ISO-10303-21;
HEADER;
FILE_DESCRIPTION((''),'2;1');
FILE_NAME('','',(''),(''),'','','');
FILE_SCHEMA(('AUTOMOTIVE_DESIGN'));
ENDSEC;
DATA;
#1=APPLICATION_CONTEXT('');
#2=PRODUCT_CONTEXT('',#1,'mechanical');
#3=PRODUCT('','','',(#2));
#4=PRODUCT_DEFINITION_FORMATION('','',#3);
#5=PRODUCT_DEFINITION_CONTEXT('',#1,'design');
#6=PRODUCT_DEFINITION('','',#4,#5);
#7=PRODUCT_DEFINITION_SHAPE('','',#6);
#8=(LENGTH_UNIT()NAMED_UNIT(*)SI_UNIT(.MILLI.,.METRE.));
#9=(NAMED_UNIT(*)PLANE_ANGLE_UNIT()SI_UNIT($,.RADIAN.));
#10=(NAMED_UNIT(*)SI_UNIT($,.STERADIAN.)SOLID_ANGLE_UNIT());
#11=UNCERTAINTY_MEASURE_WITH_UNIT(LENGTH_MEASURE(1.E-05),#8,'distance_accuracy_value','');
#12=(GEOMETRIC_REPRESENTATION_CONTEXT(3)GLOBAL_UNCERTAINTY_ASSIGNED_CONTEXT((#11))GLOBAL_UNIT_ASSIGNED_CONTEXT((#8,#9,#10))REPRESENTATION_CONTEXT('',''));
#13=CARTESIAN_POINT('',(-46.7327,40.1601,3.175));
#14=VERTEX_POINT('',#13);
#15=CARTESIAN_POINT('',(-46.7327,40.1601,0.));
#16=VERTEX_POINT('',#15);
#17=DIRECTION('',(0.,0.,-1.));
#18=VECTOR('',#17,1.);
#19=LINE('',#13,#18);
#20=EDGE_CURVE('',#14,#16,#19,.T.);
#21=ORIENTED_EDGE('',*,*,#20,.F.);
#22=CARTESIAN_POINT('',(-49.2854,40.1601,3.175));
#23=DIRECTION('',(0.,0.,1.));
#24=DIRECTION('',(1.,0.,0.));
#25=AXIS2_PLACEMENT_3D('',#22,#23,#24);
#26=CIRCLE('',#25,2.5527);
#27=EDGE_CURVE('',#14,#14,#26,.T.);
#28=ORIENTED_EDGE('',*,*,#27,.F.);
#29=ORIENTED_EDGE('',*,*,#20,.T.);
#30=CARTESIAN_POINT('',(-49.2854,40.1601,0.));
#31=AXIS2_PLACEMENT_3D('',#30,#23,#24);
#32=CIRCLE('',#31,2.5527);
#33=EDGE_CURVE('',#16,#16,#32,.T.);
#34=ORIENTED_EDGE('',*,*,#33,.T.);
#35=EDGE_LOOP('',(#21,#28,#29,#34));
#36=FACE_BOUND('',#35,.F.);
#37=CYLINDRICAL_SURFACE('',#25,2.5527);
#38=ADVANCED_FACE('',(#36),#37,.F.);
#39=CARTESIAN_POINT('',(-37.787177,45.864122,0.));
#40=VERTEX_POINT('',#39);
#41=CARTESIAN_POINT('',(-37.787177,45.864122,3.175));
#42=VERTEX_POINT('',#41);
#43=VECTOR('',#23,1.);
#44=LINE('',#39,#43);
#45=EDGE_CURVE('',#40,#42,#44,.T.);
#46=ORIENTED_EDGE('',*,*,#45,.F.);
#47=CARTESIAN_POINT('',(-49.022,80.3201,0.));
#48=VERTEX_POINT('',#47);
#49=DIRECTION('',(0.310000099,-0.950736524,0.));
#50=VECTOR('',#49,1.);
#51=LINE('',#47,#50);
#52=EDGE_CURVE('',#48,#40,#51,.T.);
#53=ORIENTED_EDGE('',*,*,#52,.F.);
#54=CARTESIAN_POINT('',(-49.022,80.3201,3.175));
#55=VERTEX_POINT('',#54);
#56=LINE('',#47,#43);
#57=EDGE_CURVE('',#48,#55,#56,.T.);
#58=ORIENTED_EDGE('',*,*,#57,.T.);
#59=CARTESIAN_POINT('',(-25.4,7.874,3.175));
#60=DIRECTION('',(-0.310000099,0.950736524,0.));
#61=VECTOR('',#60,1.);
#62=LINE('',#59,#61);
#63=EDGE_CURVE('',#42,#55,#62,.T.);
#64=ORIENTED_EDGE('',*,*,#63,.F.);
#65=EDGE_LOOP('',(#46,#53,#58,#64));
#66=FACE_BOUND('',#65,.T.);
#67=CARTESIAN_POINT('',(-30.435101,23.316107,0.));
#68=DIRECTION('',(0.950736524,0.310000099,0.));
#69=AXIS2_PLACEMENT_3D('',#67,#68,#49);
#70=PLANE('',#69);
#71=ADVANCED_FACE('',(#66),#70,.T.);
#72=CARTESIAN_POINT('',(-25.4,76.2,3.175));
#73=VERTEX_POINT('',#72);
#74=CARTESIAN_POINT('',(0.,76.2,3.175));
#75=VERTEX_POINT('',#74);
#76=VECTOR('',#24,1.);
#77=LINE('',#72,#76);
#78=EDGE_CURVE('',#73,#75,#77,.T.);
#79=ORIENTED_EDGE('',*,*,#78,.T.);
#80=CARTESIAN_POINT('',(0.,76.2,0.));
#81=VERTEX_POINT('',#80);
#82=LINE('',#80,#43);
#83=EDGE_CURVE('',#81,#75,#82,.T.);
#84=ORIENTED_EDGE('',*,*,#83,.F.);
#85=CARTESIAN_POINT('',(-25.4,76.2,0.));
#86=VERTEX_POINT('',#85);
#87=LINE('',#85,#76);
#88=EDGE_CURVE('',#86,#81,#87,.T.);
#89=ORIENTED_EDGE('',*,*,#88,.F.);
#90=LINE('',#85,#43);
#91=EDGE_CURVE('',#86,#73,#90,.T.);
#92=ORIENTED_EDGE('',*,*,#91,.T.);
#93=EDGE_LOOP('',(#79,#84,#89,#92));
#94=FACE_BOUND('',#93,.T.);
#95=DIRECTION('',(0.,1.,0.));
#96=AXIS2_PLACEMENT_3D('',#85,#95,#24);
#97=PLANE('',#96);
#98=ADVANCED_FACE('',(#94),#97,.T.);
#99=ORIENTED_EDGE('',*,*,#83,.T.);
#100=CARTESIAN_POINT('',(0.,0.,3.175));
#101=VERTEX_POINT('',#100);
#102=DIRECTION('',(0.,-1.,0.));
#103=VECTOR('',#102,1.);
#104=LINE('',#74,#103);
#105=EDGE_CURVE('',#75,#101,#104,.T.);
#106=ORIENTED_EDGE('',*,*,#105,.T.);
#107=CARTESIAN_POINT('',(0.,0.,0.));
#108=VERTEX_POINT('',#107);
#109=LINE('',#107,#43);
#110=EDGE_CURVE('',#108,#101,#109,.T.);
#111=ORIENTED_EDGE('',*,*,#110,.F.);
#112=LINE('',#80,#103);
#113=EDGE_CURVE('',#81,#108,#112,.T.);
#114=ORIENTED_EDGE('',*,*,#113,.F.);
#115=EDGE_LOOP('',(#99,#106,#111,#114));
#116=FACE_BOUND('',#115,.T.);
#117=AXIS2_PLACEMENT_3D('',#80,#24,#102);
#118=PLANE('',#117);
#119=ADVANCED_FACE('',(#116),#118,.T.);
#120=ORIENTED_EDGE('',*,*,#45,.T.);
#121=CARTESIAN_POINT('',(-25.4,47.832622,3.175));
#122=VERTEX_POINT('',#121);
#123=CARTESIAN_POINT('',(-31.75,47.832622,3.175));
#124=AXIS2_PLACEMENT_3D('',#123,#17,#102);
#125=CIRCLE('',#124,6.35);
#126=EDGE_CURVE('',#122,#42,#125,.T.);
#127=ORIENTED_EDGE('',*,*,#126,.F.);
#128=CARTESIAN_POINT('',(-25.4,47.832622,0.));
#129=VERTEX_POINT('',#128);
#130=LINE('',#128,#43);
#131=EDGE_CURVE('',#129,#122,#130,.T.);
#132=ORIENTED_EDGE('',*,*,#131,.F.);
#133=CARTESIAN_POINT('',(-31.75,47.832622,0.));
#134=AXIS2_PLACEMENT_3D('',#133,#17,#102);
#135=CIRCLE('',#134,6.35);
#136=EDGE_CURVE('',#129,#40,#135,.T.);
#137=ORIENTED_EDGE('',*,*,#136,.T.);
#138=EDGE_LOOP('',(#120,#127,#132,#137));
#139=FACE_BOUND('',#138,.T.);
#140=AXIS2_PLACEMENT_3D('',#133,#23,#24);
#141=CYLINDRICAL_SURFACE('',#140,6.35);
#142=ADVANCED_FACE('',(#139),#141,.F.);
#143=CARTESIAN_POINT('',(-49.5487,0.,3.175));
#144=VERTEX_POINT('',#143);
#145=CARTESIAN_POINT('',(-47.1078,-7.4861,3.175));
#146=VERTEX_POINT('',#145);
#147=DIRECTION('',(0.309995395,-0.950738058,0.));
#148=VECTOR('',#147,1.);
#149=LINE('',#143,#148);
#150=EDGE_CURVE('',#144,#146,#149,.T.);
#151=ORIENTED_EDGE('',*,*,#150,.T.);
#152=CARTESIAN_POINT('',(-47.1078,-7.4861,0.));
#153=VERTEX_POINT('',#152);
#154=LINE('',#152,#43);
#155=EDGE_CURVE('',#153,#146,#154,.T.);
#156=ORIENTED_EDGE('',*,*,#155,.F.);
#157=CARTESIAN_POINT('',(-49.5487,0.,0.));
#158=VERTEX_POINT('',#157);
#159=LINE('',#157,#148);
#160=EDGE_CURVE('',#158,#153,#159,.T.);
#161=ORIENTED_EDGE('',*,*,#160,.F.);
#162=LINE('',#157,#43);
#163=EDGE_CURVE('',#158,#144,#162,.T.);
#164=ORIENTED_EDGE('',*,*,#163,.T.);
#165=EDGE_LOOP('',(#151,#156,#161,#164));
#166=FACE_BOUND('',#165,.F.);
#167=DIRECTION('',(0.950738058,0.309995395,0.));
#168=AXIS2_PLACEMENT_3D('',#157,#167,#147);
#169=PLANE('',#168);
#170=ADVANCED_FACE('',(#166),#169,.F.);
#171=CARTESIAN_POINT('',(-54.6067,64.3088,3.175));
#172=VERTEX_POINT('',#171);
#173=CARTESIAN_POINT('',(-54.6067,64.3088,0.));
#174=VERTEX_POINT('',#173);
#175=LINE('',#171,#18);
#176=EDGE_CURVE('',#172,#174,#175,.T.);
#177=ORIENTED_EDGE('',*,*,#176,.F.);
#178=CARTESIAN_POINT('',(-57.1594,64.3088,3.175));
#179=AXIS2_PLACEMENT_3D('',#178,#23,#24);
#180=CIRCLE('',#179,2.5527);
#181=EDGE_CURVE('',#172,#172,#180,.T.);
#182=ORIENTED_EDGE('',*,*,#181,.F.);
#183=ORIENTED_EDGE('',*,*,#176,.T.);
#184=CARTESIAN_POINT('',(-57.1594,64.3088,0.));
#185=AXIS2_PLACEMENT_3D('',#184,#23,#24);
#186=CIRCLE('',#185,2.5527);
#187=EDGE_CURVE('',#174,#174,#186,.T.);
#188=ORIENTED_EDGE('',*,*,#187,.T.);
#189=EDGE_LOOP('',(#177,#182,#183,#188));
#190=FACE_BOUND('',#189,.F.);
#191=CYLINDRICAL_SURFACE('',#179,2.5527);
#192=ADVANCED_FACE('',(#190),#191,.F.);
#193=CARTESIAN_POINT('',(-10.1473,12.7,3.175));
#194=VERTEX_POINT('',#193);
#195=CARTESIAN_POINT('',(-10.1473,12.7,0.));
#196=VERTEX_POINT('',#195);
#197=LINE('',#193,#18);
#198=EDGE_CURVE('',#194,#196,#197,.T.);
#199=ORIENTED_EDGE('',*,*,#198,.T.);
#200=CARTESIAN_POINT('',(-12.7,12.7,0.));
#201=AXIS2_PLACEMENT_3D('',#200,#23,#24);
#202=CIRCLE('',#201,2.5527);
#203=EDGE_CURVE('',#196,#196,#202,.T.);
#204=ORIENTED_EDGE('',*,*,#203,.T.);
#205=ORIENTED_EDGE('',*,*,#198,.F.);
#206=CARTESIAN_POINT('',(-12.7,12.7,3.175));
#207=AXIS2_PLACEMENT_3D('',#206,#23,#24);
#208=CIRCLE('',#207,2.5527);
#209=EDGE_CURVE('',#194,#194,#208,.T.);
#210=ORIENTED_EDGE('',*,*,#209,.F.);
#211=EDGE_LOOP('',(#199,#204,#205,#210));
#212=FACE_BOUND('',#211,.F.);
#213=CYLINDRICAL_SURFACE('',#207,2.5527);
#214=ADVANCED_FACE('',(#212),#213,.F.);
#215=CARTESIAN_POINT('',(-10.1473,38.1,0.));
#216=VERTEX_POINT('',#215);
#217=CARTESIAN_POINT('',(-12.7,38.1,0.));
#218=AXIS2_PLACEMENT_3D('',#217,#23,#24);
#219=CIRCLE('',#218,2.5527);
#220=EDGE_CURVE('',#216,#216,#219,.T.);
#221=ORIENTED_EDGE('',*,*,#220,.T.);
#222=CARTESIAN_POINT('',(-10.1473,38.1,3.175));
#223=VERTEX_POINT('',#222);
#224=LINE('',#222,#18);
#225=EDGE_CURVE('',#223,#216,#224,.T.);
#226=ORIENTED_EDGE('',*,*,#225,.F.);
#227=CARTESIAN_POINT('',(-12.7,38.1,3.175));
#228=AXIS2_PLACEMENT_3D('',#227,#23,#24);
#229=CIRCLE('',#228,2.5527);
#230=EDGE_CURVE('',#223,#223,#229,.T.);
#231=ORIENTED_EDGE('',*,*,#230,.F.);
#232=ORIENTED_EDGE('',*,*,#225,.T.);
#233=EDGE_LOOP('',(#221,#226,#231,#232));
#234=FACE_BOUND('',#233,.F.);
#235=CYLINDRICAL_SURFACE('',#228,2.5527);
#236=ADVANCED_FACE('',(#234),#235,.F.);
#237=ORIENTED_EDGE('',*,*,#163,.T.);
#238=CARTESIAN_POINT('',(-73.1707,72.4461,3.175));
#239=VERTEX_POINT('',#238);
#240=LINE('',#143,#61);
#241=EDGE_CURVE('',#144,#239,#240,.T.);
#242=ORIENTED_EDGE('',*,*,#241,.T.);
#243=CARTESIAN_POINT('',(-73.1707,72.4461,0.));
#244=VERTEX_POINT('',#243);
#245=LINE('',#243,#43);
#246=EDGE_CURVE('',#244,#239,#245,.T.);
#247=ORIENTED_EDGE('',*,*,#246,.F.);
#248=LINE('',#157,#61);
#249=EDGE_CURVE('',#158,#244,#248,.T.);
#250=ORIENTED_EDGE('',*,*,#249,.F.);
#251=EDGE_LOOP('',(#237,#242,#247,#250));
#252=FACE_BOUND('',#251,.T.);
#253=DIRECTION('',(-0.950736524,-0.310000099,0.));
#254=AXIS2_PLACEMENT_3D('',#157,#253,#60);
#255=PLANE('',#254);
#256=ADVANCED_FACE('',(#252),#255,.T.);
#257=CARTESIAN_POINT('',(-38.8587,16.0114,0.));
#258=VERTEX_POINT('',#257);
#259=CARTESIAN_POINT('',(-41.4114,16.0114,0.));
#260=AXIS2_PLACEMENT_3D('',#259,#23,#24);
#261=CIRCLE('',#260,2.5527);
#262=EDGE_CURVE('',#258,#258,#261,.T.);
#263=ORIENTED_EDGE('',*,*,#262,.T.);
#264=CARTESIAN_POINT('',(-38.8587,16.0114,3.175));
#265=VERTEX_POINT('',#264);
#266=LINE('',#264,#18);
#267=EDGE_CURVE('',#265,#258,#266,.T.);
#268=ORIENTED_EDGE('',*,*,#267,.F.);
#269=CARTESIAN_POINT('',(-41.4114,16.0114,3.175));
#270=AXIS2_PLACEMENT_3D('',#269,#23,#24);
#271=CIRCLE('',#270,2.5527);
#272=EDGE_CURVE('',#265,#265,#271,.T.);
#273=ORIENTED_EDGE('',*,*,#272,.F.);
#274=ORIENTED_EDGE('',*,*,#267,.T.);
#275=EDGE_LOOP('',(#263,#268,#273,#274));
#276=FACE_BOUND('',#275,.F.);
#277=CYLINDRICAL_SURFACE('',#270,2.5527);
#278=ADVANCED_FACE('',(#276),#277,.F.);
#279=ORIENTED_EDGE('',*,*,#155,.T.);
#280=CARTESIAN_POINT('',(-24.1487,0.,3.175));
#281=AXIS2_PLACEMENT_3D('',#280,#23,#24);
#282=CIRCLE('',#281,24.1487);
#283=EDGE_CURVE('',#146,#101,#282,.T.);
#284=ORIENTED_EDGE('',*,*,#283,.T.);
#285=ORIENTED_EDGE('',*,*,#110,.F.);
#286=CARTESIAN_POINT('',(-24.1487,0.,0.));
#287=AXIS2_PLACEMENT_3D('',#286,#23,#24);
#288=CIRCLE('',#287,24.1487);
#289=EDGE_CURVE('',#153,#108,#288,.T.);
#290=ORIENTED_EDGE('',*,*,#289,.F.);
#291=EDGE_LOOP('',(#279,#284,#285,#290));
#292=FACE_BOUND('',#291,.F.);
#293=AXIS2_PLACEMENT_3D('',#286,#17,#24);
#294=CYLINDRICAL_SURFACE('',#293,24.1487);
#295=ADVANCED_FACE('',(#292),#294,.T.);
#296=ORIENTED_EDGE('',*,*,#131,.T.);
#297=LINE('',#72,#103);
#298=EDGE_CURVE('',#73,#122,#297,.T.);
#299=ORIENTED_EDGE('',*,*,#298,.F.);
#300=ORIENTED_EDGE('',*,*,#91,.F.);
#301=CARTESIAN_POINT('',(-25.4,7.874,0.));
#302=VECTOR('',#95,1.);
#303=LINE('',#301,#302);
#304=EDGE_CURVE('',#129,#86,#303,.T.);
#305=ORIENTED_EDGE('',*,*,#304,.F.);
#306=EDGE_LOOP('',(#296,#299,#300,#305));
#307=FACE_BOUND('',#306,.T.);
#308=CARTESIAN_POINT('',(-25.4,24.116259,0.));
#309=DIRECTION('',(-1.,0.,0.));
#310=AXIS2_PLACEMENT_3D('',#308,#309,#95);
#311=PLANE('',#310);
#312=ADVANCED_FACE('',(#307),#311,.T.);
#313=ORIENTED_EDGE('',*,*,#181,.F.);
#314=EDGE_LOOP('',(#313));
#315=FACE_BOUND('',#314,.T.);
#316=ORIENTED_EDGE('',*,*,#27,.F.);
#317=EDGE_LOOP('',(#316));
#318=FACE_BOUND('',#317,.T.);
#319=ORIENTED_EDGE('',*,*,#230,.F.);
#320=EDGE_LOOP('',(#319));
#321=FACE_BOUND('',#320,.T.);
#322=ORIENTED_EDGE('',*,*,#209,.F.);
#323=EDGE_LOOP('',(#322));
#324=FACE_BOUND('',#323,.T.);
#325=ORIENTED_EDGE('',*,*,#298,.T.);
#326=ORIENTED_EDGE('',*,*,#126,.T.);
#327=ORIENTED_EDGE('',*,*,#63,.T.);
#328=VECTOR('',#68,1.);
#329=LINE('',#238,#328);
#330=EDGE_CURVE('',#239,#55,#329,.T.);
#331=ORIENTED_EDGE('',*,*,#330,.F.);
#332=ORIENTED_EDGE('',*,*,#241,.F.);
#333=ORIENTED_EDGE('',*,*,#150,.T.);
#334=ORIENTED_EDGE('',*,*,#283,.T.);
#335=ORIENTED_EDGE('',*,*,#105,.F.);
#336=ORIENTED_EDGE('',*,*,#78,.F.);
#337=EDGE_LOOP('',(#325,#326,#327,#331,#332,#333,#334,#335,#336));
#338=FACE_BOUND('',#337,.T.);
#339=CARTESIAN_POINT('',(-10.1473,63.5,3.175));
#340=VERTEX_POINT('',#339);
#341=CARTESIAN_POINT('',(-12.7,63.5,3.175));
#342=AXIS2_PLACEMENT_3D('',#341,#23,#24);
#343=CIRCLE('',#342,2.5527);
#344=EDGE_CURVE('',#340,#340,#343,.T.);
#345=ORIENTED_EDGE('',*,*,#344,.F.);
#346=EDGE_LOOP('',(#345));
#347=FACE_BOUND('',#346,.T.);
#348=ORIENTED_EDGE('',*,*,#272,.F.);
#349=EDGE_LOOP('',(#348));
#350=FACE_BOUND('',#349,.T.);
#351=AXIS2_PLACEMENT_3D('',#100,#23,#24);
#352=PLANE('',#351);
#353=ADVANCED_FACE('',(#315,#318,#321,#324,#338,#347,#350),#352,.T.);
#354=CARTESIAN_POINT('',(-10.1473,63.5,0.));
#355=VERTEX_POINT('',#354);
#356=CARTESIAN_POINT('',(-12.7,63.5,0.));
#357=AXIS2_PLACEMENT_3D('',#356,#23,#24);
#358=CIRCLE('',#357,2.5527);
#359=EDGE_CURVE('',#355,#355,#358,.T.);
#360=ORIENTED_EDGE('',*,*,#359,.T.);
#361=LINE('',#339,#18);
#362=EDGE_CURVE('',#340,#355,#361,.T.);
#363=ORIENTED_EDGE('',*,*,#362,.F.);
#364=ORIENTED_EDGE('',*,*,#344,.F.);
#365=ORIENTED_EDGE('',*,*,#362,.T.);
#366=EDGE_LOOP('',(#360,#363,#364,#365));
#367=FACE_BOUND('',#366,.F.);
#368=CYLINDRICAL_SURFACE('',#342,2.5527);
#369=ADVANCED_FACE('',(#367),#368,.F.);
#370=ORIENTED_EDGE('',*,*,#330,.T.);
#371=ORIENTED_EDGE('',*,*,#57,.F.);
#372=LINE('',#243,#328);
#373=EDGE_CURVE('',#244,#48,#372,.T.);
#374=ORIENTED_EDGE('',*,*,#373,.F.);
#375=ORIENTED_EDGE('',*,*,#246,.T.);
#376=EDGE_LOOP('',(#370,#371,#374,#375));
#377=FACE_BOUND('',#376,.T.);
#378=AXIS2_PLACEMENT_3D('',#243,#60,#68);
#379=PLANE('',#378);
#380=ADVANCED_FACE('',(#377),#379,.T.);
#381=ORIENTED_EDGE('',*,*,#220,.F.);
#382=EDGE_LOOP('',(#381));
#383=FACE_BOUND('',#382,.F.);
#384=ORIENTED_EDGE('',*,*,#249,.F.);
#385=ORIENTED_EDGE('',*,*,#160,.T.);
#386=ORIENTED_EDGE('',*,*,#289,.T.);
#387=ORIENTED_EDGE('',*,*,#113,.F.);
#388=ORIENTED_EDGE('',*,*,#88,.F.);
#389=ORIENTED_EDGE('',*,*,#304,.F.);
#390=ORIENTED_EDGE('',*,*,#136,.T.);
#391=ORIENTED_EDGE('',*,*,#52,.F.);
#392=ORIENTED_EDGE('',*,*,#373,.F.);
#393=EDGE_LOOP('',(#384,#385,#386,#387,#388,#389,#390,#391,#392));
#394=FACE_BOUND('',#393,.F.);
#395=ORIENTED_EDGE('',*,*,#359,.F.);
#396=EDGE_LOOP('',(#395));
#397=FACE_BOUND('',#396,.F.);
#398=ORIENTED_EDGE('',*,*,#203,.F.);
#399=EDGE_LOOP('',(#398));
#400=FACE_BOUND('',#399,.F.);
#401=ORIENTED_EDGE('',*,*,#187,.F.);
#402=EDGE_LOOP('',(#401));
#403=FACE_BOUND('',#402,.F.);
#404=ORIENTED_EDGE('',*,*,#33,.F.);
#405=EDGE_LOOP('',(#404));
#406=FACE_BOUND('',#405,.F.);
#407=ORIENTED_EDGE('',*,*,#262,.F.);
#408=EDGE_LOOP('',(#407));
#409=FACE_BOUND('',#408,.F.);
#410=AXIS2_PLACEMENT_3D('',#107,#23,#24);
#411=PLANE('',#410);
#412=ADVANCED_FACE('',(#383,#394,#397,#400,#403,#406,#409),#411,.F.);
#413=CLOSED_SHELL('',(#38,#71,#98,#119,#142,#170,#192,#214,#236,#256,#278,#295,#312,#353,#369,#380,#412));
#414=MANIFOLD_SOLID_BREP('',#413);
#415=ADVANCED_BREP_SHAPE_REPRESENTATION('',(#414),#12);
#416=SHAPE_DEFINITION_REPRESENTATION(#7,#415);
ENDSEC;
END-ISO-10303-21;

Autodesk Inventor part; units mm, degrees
ref_plane "YZ Plane" through (0, 0, 0) normal (1, 0, 0) x (0, 1, 0)
ref_plane "XZ Plane" through (0, 0, 0) normal (0, 1, 0) x (-1, 0, 0)
ref_plane "XY Plane" through (0, 0, 0) normal (0, 0, 1) x (1, 0, 0)
sketch "Sketch1" plane through (0, 0, 0) normal (0, 0, 1) x (1, 0, 0)
  line L0 (0, 0) -> (-25.4, 0)
  line L1 (-25.4, 0) -> (-25.4, 76.2)
  line L2 (-25.4, 76.2) -> (0, 76.2)
  line L3 (0, 76.2) -> (0, 0)
  line L4 (-25.4, 7.874) -> (-49.5487, 0)
  line L5 (-49.5487, 0) -> (-73.1707, 72.4461)
  line L6 (-73.1707, 72.4461) -> (-49.022, 80.3201)
  line L7 (-49.022, 80.3201) -> (-25.4, 7.874)
  circle A0 centre (-24.1487, 0) radius 24.1487
  line L8 (-49.5487, 0) -> (-47.1078, -7.4861)
  dimension "d0" = 25.4
  dimension "d1" = 76.2
  dimension "d3" = 25.4
  dimension "d4" = 7.874
  dimension "d5" = 76.2
extrude "Extrusion1" add sketch "Sketch1" along normal blind 3.175 contours A0 L4 L1 L0 | A0 L1 L2 L3 | L0 L1 A0 | L8 L4 A0 | L4 A0 L7 | L4 L5 L6 L7 A0
fillet "Fillet1" radius 6.35 1 edges at (-25.4, 7.874, 1.5875)
sketch "Sketch2" plane through (0, 0, 3.175) normal (0, 0, 1) x (1, 0, 0)
  line L0 (0, 76.2) -> (-25.4, 76.2) projected
  line L1 (-25.4, 76.2) -> (-25.4, 47.8326) projected
  arc A0 (-37.7872, 45.8641) -> (-25.4, 47.8326) centre (-31.75, 47.8326) ccw projected
  line L2 (-37.7872, 45.8641) -> (-49.022, 80.3201) projected
  line L3 (-49.022, 80.3201) -> (-73.1707, 72.4461) projected
  line L4 (-73.1707, 72.4461) -> (-47.1078, -7.4861) projected
  arc A1 (-47.1078, -7.4861) -> (0, 0) centre (-24.1487, 0) ccw projected
  line L5 (0, 0) -> (0, 76.2) projected
  circle A2 centre (-12.7, 63.5) radius 2.5527
  circle A3 centre (-12.7, 38.1) radius 2.5527
  circle A4 centre (-12.7, 12.7) radius 2.5527
  circle A5 centre (-57.1594, 64.3088) radius 2.5527
  circle A6 centre (-49.2854, 40.1601) radius 2.5527
  circle A7 centre (-41.4114, 16.0114) radius 2.5527
  dimension "d9" = 5.1054
  dimension "d10" = 12.7
  dimension "d11" = 12.7
  dimension "d14" = 25.4
  dimension "d19" = 5.1054
  dimension "d20" = 12.7
  dimension "d21" = 12.7
  dimension "d24" = 25.4
extrude "Extrusion2" cut sketch "Sketch2" against normal blind 3.175 contours A2 | A3 | A4 | A5 | A6 | A7
properties part number "Top_angled_gusset"
